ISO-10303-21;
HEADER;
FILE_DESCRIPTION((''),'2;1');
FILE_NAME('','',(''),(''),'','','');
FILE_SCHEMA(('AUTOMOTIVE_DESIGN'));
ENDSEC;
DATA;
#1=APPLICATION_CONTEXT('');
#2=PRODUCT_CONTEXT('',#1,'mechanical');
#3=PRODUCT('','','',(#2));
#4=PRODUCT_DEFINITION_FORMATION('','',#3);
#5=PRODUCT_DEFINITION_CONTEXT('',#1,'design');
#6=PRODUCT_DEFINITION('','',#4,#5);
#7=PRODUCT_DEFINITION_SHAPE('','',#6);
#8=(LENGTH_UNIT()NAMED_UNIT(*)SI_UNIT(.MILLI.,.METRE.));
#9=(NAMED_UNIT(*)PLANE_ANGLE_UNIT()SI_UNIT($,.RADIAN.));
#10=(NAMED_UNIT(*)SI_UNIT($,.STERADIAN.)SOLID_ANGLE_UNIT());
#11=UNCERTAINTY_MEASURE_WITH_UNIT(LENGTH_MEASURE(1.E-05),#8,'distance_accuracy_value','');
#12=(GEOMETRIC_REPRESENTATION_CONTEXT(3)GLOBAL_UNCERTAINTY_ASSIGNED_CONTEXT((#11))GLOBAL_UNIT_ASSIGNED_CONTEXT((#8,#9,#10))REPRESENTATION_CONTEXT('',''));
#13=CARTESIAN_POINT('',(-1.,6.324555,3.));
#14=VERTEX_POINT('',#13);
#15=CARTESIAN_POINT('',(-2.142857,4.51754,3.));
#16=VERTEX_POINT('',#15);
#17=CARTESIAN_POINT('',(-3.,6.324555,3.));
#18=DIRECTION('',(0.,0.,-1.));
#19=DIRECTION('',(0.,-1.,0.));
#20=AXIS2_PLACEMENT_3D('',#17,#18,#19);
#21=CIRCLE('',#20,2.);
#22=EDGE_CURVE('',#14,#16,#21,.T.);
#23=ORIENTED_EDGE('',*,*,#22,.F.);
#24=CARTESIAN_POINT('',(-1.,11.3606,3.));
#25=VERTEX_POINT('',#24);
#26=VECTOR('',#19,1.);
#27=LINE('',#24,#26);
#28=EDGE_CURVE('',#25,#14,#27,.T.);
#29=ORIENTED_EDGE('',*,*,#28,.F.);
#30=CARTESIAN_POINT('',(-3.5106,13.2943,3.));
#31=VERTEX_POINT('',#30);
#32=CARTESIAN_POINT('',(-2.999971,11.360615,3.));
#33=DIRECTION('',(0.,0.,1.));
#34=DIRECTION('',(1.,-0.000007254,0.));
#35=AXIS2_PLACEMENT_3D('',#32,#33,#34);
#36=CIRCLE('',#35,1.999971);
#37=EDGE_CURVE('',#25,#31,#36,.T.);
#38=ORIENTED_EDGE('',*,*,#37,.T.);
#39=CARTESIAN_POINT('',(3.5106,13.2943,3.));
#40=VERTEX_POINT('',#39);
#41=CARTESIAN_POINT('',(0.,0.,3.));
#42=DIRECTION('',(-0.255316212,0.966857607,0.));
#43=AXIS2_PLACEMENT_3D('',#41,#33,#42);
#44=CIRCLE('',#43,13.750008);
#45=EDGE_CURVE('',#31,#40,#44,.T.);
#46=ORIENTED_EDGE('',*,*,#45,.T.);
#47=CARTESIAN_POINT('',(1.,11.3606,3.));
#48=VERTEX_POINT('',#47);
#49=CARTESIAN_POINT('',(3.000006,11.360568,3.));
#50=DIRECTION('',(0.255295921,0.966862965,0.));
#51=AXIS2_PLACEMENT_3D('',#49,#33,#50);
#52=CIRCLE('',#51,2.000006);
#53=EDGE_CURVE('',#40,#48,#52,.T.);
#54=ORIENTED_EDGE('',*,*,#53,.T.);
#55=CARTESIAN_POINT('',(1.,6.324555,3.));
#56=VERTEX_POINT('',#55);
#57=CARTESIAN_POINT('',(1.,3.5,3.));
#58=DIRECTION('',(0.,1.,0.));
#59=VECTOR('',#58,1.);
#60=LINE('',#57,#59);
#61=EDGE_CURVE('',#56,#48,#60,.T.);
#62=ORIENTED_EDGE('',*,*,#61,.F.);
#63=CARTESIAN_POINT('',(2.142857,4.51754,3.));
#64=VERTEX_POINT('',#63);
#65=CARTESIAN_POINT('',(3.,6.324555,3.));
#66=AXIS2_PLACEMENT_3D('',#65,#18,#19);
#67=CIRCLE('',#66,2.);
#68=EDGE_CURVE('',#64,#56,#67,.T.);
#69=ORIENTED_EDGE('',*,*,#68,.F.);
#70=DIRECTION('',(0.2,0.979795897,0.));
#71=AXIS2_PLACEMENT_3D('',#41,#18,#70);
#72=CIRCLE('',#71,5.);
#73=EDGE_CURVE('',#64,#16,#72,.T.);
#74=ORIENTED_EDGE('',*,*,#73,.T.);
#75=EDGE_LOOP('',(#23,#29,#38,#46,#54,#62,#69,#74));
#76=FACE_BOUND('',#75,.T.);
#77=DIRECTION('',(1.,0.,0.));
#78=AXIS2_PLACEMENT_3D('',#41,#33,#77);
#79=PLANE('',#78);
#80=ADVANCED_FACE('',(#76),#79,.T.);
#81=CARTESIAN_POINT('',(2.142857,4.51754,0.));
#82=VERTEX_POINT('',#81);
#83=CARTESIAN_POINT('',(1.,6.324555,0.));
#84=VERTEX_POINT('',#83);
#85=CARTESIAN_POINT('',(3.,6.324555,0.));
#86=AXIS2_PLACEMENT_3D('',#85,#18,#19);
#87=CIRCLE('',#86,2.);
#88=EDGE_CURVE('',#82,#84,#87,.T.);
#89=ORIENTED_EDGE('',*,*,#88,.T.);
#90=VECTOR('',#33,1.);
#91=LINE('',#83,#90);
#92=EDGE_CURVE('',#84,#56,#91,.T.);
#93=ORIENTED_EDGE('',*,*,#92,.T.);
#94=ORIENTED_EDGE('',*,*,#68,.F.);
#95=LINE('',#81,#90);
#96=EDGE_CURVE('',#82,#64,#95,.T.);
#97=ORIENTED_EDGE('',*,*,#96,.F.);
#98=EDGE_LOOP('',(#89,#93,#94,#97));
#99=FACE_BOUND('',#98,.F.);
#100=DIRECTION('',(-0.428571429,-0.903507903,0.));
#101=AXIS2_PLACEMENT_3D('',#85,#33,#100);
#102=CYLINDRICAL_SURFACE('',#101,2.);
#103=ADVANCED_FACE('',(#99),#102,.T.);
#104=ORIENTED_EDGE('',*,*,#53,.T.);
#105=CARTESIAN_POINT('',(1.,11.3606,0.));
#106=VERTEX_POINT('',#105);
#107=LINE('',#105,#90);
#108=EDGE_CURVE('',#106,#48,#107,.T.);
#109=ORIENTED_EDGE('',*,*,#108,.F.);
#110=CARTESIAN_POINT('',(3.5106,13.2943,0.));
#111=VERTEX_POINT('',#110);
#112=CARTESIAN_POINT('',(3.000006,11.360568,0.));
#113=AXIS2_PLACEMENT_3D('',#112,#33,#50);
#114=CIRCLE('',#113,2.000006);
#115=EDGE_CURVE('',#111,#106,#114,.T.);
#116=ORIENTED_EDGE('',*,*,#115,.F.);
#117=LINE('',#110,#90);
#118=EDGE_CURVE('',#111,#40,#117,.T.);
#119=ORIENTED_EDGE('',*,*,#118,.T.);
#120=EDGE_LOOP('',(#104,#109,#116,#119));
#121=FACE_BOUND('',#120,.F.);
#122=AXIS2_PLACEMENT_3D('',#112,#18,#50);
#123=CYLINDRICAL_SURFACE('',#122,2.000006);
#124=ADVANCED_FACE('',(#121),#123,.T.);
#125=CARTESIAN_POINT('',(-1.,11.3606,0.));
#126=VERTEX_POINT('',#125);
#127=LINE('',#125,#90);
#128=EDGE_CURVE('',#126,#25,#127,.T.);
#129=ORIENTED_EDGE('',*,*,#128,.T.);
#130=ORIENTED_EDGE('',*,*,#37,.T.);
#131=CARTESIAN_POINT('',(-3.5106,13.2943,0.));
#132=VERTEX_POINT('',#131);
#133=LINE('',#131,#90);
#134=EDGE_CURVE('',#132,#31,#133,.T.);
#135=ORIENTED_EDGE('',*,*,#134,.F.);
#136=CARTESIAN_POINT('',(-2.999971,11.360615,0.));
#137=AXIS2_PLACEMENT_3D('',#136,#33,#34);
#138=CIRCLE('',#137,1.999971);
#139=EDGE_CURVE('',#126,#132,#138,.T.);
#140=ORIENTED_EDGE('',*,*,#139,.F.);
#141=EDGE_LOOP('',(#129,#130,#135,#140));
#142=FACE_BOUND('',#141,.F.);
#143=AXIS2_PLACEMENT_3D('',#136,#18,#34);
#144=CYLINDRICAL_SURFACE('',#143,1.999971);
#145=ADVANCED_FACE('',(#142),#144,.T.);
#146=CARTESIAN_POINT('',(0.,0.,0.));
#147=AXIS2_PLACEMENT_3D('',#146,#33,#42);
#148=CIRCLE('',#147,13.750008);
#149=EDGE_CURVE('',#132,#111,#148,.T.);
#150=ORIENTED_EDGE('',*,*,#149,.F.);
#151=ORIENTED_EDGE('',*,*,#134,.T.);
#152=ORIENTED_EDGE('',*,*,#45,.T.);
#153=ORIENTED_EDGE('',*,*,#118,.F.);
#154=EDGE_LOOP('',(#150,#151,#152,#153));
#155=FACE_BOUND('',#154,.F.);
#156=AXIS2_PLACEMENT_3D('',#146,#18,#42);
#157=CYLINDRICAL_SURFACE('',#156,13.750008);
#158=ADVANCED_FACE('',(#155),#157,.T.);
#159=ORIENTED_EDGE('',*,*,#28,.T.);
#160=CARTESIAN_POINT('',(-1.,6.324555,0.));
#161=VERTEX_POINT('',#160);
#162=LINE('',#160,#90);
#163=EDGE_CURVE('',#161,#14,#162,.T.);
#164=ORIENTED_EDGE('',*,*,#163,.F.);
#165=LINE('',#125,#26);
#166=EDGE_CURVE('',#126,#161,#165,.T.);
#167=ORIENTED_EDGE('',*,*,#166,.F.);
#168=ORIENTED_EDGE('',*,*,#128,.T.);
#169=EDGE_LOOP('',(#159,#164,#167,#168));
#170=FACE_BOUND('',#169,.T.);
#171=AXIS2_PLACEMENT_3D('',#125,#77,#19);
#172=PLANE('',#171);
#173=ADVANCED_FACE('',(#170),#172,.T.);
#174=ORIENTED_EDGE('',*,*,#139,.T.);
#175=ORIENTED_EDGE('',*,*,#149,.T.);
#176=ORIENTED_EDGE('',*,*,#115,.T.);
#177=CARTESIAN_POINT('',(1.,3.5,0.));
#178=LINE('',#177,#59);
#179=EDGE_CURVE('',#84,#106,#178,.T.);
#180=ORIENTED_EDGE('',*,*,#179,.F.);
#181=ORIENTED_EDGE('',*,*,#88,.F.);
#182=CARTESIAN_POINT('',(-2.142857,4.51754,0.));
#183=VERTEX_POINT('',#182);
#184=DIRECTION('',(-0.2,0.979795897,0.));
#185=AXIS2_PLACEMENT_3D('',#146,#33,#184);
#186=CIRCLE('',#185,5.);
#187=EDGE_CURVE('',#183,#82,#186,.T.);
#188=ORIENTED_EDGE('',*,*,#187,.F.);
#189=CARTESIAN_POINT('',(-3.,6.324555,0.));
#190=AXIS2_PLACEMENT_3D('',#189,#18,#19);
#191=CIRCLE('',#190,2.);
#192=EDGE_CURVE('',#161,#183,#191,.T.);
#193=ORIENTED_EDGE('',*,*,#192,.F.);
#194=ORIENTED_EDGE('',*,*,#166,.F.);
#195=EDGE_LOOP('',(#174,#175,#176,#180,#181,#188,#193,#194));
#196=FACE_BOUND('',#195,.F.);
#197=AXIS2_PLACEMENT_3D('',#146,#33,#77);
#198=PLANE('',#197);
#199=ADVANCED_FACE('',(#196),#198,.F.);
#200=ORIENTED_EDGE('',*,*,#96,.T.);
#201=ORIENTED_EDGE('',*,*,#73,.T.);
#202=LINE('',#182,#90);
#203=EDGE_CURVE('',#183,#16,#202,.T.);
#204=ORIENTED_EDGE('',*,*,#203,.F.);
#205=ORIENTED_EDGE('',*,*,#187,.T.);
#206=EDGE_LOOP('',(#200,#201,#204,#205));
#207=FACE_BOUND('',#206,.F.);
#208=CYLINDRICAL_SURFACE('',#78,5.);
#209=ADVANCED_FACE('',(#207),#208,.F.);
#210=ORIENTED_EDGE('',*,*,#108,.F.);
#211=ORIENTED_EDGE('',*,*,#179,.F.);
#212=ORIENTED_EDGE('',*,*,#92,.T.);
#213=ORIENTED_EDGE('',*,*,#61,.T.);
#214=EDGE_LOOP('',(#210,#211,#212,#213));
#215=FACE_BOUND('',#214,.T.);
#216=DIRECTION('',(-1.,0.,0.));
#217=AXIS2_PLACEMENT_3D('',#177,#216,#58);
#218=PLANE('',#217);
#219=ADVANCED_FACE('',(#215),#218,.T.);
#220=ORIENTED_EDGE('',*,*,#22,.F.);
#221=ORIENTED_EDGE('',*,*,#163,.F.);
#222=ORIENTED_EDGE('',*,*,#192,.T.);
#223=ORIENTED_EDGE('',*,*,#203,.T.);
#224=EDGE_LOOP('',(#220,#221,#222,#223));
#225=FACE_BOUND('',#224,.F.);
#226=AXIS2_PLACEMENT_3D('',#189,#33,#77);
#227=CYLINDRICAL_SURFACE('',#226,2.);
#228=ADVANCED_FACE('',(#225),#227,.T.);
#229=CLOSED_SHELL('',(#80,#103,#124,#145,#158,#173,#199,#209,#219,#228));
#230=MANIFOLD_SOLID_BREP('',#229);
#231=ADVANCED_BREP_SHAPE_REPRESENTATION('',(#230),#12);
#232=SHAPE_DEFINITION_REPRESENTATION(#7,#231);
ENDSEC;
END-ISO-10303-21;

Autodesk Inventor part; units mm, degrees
ref_plane "YZ Plane" through (0, 0, 0) normal (1, 0, 0) x (0, 1, 0)
ref_plane "XZ Plane" through (0, 0, 0) normal (0, 1, 0) x (-1, 0, 0)
ref_plane "XY Plane" through (0, 0, 0) normal (0, 0, 1) x (1, 0, 0)
sketch "Sketch1" plane through (0, 0, 0) normal (0, 0, 1) x (1, 0, 0)
  arc A0 (-3.5106, 13.2943) -> (3.5106, 13.2943) centre (0, 0) ccw
  circle A1 centre (0, 0) radius 4.5 construction
  line L0 (-1, 11.3606) -> (-1, 3.5)
  line L1 (1, 3.5) -> (1, 11.3606)
  arc A2 (-1, 3.5) -> (1, 3.5) centre (0, 3.5) ccw
  line L2 (-9.75, -9.75) -> (9.75, -9.75) construction
  line L3 (9.75, -9.75) -> (9.75, 9.75) construction
  line L4 (9.75, 9.75) -> (-9.75, 9.75) construction
  line L5 (-9.75, 9.75) -> (-9.75, -9.75) construction
  line L6 (-9.75, -9.75) -> (9.75, 9.75) construction
  line L7 (9.75, -9.75) -> (-9.75, 9.75) construction
  arc A3 (-1, 11.3606) -> (-3.5106, 13.2943) centre (-3, 11.3606) ccw
  arc A4 (3.5106, 13.2943) -> (1, 11.3606) centre (3, 11.3606) ccw
  point P0 (0, 6.1182)
  point P1 (0, 4.5)
  point P2 (0, 2.5)
  point P3 (0, 2.5)
  dimension "d1" = 9
  dimension "d0" = 27.5
  dimension "d2" = 2
  dimension "d3" = 2
  dimension "d5" = 19.5
  dimension "d9" = 19.5
  dimension "d10" = 2
extrude "Extrusion1" add sketch "Sketch1" along normal blind 3
sketch "Sketch2" plane through (0, 0, 3) normal (0, 0, 1) x (1, 0, 0)
  circle A0 centre (0, 0) radius 5
  dimension "d11" = 10
extrude "Extrusion2" cut sketch "Sketch2" against normal through all
fillet "Fillet1" radius 2 2 edges at (-1, 4.899, 1.5) (1, 4.899, 1.5)
properties part number "FrontTerm"
